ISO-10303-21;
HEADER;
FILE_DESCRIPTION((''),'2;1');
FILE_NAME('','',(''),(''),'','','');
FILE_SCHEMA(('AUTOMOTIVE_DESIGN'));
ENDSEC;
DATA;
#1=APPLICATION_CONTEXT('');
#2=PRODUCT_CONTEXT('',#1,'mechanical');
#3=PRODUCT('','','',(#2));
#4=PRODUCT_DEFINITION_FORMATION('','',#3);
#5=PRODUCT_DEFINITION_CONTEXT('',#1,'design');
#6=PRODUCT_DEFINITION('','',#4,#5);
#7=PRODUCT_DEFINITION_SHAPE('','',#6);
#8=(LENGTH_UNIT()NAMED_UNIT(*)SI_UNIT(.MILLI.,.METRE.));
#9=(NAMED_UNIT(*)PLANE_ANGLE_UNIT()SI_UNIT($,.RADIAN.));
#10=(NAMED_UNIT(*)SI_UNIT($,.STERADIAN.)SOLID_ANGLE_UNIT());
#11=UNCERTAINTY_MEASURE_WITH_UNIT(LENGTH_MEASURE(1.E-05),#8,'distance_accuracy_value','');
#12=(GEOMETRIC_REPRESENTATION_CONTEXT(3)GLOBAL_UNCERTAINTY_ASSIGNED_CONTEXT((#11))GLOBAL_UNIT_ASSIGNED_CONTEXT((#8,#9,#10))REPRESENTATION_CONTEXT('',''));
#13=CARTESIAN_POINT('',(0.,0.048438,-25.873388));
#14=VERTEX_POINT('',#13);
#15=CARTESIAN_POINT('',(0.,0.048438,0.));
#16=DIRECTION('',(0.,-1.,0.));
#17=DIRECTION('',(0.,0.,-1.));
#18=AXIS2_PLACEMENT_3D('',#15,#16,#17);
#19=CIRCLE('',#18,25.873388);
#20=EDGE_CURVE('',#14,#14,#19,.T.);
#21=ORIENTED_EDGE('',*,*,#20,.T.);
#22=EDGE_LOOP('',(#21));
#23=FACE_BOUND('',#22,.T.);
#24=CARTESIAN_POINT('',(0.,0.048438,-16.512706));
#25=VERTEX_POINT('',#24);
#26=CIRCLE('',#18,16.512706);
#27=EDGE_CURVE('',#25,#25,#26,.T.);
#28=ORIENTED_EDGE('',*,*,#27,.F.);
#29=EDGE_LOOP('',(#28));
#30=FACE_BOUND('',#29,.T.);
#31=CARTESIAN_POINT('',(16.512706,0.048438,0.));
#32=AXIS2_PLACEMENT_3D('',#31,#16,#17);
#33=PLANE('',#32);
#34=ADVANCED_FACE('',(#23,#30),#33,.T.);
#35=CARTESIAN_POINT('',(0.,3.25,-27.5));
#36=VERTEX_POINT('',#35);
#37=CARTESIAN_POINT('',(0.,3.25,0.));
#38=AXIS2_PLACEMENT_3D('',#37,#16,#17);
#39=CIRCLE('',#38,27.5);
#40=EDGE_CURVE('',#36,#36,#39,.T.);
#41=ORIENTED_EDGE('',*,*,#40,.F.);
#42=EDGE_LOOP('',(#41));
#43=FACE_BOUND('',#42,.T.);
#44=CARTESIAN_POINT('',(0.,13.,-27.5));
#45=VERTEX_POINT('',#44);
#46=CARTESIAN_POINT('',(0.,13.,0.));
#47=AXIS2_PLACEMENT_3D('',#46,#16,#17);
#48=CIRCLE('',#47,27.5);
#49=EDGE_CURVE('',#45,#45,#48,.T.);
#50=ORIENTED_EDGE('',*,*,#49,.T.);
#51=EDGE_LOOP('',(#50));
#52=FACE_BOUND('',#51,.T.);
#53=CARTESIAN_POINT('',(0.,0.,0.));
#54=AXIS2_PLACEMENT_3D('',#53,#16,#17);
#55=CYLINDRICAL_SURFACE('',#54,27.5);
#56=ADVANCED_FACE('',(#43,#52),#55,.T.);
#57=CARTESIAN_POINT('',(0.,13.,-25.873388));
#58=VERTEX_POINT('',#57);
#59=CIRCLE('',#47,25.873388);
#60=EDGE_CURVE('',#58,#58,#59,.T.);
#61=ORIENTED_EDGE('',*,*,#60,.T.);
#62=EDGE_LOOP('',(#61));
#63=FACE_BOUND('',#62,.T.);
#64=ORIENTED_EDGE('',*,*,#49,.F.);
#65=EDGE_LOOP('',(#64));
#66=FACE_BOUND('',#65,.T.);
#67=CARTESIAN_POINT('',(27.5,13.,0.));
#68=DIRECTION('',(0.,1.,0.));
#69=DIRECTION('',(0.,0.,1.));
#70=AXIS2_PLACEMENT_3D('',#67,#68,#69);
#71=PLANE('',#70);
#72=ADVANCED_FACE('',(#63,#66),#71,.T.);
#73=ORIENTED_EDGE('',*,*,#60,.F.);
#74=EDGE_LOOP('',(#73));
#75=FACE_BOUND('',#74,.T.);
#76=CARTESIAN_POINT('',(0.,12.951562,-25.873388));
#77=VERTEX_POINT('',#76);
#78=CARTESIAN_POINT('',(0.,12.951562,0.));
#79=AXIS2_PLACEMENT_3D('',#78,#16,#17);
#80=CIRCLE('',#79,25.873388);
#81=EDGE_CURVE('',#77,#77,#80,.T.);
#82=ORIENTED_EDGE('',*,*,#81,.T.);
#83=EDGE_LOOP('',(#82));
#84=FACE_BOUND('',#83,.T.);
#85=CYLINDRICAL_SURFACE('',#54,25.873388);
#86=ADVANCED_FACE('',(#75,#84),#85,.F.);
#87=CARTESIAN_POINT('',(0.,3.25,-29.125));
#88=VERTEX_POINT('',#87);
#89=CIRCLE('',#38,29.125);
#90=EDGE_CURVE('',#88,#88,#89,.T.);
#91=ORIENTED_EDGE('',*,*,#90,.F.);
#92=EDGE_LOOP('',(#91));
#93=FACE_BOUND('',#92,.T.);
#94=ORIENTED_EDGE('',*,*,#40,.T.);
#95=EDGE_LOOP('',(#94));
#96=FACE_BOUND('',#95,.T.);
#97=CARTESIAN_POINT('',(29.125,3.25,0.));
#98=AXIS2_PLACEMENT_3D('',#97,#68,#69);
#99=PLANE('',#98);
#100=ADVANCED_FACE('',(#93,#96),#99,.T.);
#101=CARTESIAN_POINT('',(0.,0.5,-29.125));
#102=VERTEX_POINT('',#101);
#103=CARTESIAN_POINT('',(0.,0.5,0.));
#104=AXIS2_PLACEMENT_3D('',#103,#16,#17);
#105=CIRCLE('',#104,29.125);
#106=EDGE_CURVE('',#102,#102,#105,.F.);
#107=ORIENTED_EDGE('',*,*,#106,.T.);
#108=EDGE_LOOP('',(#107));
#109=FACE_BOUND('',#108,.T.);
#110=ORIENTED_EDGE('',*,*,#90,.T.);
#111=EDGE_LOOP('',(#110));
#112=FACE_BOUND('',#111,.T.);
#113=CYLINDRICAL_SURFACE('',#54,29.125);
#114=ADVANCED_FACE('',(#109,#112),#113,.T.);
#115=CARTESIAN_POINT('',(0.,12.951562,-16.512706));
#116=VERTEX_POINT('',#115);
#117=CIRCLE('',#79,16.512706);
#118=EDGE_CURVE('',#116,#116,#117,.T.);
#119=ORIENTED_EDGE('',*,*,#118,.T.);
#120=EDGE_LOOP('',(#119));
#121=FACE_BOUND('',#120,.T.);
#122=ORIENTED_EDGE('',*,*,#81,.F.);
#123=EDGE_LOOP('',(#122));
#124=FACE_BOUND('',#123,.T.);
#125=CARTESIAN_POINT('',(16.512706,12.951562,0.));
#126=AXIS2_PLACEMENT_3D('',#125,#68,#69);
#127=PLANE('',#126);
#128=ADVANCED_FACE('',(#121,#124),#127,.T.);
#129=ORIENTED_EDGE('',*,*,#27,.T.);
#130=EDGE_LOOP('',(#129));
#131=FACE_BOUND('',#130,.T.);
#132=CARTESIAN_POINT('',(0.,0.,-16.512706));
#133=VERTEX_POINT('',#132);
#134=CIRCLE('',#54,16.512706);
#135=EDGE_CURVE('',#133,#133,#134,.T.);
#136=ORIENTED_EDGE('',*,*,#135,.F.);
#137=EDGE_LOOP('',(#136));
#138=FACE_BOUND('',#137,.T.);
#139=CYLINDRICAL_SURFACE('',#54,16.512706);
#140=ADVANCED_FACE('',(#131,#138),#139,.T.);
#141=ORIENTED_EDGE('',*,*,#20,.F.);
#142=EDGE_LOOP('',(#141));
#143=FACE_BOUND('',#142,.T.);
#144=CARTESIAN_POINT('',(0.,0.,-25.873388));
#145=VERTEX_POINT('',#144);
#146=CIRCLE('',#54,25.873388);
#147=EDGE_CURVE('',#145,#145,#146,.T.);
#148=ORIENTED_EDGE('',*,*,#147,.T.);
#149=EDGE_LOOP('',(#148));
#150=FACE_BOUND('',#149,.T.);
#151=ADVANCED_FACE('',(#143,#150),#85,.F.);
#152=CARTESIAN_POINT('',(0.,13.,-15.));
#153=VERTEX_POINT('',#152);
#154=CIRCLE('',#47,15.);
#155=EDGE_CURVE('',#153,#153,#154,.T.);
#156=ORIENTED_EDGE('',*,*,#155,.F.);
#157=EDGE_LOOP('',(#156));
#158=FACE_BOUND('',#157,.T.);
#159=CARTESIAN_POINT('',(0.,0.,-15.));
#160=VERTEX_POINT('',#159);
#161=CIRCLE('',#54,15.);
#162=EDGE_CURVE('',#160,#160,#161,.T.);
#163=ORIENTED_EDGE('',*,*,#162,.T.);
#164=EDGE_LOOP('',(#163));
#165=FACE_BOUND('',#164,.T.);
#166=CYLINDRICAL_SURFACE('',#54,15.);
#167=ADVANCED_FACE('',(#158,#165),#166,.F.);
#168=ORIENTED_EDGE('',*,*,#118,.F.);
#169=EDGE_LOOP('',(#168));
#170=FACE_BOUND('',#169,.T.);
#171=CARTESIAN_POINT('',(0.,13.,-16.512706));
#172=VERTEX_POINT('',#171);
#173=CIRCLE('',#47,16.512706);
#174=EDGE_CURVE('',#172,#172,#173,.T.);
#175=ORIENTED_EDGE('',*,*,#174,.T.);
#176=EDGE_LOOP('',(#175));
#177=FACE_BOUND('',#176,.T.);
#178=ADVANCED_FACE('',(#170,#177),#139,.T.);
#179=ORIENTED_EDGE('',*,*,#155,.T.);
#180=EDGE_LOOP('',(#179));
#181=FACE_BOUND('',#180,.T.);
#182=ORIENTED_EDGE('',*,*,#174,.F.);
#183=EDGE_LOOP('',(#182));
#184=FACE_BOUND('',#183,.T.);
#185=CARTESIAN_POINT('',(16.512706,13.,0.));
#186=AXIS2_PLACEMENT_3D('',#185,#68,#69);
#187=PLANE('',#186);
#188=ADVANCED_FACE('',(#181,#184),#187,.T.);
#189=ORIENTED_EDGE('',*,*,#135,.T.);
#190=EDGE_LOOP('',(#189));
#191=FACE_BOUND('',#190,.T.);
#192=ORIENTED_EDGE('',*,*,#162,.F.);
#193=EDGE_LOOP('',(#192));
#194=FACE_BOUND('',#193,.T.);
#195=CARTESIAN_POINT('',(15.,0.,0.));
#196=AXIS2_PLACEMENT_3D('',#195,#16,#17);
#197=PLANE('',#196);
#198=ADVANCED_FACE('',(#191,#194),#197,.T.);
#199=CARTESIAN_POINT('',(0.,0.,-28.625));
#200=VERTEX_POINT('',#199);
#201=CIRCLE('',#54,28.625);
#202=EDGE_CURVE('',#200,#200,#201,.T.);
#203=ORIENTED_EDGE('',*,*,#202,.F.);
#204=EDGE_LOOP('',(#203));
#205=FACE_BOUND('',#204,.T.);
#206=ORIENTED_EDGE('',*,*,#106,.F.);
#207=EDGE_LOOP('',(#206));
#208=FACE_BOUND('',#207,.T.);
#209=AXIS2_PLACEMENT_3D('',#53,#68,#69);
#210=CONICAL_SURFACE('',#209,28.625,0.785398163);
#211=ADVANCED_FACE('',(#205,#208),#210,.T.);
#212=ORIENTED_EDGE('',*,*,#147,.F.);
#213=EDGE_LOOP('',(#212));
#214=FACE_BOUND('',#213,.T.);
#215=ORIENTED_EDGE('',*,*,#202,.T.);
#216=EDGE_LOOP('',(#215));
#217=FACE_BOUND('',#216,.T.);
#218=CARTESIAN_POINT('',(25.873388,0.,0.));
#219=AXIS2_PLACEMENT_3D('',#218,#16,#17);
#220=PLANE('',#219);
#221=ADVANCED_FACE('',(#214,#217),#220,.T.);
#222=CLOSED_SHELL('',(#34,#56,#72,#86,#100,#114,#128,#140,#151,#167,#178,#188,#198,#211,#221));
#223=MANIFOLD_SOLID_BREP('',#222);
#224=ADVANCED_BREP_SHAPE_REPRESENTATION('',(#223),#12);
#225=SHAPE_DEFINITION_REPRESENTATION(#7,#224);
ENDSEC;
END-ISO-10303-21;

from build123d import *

# Parameters (mm, degrees)
CHAMFER1_SIZE = 0.5


with BuildPart() as part:
    # Sketch1 → Revolve1 (revolve)
    with BuildSketch(Plane.XY):
        Polygon((15, 0), (16.512706206, 0), (16.512706206, 0.048438063), (25.873387513, 0.048438063), (25.873387513, 0), (29.125, 0), (29.125, 3.25), (27.5, 3.25), (27.5, 13), (25.873387513, 13), (25.873387513, 12.951561937), (16.512706206, 12.951561937), (16.512706206, 13), (15, 13), align=None)
    revolve(axis=Axis((0, 0, 0), (0, 1, 0)))

    # Chamfer1
    chamfer1_edges = [part.edges().sort_by_distance(p)[0] for p in [
        (-29.125, 0, 0),
    ]]
    chamfer(chamfer1_edges, length=CHAMFER1_SIZE)


solid = part.part
